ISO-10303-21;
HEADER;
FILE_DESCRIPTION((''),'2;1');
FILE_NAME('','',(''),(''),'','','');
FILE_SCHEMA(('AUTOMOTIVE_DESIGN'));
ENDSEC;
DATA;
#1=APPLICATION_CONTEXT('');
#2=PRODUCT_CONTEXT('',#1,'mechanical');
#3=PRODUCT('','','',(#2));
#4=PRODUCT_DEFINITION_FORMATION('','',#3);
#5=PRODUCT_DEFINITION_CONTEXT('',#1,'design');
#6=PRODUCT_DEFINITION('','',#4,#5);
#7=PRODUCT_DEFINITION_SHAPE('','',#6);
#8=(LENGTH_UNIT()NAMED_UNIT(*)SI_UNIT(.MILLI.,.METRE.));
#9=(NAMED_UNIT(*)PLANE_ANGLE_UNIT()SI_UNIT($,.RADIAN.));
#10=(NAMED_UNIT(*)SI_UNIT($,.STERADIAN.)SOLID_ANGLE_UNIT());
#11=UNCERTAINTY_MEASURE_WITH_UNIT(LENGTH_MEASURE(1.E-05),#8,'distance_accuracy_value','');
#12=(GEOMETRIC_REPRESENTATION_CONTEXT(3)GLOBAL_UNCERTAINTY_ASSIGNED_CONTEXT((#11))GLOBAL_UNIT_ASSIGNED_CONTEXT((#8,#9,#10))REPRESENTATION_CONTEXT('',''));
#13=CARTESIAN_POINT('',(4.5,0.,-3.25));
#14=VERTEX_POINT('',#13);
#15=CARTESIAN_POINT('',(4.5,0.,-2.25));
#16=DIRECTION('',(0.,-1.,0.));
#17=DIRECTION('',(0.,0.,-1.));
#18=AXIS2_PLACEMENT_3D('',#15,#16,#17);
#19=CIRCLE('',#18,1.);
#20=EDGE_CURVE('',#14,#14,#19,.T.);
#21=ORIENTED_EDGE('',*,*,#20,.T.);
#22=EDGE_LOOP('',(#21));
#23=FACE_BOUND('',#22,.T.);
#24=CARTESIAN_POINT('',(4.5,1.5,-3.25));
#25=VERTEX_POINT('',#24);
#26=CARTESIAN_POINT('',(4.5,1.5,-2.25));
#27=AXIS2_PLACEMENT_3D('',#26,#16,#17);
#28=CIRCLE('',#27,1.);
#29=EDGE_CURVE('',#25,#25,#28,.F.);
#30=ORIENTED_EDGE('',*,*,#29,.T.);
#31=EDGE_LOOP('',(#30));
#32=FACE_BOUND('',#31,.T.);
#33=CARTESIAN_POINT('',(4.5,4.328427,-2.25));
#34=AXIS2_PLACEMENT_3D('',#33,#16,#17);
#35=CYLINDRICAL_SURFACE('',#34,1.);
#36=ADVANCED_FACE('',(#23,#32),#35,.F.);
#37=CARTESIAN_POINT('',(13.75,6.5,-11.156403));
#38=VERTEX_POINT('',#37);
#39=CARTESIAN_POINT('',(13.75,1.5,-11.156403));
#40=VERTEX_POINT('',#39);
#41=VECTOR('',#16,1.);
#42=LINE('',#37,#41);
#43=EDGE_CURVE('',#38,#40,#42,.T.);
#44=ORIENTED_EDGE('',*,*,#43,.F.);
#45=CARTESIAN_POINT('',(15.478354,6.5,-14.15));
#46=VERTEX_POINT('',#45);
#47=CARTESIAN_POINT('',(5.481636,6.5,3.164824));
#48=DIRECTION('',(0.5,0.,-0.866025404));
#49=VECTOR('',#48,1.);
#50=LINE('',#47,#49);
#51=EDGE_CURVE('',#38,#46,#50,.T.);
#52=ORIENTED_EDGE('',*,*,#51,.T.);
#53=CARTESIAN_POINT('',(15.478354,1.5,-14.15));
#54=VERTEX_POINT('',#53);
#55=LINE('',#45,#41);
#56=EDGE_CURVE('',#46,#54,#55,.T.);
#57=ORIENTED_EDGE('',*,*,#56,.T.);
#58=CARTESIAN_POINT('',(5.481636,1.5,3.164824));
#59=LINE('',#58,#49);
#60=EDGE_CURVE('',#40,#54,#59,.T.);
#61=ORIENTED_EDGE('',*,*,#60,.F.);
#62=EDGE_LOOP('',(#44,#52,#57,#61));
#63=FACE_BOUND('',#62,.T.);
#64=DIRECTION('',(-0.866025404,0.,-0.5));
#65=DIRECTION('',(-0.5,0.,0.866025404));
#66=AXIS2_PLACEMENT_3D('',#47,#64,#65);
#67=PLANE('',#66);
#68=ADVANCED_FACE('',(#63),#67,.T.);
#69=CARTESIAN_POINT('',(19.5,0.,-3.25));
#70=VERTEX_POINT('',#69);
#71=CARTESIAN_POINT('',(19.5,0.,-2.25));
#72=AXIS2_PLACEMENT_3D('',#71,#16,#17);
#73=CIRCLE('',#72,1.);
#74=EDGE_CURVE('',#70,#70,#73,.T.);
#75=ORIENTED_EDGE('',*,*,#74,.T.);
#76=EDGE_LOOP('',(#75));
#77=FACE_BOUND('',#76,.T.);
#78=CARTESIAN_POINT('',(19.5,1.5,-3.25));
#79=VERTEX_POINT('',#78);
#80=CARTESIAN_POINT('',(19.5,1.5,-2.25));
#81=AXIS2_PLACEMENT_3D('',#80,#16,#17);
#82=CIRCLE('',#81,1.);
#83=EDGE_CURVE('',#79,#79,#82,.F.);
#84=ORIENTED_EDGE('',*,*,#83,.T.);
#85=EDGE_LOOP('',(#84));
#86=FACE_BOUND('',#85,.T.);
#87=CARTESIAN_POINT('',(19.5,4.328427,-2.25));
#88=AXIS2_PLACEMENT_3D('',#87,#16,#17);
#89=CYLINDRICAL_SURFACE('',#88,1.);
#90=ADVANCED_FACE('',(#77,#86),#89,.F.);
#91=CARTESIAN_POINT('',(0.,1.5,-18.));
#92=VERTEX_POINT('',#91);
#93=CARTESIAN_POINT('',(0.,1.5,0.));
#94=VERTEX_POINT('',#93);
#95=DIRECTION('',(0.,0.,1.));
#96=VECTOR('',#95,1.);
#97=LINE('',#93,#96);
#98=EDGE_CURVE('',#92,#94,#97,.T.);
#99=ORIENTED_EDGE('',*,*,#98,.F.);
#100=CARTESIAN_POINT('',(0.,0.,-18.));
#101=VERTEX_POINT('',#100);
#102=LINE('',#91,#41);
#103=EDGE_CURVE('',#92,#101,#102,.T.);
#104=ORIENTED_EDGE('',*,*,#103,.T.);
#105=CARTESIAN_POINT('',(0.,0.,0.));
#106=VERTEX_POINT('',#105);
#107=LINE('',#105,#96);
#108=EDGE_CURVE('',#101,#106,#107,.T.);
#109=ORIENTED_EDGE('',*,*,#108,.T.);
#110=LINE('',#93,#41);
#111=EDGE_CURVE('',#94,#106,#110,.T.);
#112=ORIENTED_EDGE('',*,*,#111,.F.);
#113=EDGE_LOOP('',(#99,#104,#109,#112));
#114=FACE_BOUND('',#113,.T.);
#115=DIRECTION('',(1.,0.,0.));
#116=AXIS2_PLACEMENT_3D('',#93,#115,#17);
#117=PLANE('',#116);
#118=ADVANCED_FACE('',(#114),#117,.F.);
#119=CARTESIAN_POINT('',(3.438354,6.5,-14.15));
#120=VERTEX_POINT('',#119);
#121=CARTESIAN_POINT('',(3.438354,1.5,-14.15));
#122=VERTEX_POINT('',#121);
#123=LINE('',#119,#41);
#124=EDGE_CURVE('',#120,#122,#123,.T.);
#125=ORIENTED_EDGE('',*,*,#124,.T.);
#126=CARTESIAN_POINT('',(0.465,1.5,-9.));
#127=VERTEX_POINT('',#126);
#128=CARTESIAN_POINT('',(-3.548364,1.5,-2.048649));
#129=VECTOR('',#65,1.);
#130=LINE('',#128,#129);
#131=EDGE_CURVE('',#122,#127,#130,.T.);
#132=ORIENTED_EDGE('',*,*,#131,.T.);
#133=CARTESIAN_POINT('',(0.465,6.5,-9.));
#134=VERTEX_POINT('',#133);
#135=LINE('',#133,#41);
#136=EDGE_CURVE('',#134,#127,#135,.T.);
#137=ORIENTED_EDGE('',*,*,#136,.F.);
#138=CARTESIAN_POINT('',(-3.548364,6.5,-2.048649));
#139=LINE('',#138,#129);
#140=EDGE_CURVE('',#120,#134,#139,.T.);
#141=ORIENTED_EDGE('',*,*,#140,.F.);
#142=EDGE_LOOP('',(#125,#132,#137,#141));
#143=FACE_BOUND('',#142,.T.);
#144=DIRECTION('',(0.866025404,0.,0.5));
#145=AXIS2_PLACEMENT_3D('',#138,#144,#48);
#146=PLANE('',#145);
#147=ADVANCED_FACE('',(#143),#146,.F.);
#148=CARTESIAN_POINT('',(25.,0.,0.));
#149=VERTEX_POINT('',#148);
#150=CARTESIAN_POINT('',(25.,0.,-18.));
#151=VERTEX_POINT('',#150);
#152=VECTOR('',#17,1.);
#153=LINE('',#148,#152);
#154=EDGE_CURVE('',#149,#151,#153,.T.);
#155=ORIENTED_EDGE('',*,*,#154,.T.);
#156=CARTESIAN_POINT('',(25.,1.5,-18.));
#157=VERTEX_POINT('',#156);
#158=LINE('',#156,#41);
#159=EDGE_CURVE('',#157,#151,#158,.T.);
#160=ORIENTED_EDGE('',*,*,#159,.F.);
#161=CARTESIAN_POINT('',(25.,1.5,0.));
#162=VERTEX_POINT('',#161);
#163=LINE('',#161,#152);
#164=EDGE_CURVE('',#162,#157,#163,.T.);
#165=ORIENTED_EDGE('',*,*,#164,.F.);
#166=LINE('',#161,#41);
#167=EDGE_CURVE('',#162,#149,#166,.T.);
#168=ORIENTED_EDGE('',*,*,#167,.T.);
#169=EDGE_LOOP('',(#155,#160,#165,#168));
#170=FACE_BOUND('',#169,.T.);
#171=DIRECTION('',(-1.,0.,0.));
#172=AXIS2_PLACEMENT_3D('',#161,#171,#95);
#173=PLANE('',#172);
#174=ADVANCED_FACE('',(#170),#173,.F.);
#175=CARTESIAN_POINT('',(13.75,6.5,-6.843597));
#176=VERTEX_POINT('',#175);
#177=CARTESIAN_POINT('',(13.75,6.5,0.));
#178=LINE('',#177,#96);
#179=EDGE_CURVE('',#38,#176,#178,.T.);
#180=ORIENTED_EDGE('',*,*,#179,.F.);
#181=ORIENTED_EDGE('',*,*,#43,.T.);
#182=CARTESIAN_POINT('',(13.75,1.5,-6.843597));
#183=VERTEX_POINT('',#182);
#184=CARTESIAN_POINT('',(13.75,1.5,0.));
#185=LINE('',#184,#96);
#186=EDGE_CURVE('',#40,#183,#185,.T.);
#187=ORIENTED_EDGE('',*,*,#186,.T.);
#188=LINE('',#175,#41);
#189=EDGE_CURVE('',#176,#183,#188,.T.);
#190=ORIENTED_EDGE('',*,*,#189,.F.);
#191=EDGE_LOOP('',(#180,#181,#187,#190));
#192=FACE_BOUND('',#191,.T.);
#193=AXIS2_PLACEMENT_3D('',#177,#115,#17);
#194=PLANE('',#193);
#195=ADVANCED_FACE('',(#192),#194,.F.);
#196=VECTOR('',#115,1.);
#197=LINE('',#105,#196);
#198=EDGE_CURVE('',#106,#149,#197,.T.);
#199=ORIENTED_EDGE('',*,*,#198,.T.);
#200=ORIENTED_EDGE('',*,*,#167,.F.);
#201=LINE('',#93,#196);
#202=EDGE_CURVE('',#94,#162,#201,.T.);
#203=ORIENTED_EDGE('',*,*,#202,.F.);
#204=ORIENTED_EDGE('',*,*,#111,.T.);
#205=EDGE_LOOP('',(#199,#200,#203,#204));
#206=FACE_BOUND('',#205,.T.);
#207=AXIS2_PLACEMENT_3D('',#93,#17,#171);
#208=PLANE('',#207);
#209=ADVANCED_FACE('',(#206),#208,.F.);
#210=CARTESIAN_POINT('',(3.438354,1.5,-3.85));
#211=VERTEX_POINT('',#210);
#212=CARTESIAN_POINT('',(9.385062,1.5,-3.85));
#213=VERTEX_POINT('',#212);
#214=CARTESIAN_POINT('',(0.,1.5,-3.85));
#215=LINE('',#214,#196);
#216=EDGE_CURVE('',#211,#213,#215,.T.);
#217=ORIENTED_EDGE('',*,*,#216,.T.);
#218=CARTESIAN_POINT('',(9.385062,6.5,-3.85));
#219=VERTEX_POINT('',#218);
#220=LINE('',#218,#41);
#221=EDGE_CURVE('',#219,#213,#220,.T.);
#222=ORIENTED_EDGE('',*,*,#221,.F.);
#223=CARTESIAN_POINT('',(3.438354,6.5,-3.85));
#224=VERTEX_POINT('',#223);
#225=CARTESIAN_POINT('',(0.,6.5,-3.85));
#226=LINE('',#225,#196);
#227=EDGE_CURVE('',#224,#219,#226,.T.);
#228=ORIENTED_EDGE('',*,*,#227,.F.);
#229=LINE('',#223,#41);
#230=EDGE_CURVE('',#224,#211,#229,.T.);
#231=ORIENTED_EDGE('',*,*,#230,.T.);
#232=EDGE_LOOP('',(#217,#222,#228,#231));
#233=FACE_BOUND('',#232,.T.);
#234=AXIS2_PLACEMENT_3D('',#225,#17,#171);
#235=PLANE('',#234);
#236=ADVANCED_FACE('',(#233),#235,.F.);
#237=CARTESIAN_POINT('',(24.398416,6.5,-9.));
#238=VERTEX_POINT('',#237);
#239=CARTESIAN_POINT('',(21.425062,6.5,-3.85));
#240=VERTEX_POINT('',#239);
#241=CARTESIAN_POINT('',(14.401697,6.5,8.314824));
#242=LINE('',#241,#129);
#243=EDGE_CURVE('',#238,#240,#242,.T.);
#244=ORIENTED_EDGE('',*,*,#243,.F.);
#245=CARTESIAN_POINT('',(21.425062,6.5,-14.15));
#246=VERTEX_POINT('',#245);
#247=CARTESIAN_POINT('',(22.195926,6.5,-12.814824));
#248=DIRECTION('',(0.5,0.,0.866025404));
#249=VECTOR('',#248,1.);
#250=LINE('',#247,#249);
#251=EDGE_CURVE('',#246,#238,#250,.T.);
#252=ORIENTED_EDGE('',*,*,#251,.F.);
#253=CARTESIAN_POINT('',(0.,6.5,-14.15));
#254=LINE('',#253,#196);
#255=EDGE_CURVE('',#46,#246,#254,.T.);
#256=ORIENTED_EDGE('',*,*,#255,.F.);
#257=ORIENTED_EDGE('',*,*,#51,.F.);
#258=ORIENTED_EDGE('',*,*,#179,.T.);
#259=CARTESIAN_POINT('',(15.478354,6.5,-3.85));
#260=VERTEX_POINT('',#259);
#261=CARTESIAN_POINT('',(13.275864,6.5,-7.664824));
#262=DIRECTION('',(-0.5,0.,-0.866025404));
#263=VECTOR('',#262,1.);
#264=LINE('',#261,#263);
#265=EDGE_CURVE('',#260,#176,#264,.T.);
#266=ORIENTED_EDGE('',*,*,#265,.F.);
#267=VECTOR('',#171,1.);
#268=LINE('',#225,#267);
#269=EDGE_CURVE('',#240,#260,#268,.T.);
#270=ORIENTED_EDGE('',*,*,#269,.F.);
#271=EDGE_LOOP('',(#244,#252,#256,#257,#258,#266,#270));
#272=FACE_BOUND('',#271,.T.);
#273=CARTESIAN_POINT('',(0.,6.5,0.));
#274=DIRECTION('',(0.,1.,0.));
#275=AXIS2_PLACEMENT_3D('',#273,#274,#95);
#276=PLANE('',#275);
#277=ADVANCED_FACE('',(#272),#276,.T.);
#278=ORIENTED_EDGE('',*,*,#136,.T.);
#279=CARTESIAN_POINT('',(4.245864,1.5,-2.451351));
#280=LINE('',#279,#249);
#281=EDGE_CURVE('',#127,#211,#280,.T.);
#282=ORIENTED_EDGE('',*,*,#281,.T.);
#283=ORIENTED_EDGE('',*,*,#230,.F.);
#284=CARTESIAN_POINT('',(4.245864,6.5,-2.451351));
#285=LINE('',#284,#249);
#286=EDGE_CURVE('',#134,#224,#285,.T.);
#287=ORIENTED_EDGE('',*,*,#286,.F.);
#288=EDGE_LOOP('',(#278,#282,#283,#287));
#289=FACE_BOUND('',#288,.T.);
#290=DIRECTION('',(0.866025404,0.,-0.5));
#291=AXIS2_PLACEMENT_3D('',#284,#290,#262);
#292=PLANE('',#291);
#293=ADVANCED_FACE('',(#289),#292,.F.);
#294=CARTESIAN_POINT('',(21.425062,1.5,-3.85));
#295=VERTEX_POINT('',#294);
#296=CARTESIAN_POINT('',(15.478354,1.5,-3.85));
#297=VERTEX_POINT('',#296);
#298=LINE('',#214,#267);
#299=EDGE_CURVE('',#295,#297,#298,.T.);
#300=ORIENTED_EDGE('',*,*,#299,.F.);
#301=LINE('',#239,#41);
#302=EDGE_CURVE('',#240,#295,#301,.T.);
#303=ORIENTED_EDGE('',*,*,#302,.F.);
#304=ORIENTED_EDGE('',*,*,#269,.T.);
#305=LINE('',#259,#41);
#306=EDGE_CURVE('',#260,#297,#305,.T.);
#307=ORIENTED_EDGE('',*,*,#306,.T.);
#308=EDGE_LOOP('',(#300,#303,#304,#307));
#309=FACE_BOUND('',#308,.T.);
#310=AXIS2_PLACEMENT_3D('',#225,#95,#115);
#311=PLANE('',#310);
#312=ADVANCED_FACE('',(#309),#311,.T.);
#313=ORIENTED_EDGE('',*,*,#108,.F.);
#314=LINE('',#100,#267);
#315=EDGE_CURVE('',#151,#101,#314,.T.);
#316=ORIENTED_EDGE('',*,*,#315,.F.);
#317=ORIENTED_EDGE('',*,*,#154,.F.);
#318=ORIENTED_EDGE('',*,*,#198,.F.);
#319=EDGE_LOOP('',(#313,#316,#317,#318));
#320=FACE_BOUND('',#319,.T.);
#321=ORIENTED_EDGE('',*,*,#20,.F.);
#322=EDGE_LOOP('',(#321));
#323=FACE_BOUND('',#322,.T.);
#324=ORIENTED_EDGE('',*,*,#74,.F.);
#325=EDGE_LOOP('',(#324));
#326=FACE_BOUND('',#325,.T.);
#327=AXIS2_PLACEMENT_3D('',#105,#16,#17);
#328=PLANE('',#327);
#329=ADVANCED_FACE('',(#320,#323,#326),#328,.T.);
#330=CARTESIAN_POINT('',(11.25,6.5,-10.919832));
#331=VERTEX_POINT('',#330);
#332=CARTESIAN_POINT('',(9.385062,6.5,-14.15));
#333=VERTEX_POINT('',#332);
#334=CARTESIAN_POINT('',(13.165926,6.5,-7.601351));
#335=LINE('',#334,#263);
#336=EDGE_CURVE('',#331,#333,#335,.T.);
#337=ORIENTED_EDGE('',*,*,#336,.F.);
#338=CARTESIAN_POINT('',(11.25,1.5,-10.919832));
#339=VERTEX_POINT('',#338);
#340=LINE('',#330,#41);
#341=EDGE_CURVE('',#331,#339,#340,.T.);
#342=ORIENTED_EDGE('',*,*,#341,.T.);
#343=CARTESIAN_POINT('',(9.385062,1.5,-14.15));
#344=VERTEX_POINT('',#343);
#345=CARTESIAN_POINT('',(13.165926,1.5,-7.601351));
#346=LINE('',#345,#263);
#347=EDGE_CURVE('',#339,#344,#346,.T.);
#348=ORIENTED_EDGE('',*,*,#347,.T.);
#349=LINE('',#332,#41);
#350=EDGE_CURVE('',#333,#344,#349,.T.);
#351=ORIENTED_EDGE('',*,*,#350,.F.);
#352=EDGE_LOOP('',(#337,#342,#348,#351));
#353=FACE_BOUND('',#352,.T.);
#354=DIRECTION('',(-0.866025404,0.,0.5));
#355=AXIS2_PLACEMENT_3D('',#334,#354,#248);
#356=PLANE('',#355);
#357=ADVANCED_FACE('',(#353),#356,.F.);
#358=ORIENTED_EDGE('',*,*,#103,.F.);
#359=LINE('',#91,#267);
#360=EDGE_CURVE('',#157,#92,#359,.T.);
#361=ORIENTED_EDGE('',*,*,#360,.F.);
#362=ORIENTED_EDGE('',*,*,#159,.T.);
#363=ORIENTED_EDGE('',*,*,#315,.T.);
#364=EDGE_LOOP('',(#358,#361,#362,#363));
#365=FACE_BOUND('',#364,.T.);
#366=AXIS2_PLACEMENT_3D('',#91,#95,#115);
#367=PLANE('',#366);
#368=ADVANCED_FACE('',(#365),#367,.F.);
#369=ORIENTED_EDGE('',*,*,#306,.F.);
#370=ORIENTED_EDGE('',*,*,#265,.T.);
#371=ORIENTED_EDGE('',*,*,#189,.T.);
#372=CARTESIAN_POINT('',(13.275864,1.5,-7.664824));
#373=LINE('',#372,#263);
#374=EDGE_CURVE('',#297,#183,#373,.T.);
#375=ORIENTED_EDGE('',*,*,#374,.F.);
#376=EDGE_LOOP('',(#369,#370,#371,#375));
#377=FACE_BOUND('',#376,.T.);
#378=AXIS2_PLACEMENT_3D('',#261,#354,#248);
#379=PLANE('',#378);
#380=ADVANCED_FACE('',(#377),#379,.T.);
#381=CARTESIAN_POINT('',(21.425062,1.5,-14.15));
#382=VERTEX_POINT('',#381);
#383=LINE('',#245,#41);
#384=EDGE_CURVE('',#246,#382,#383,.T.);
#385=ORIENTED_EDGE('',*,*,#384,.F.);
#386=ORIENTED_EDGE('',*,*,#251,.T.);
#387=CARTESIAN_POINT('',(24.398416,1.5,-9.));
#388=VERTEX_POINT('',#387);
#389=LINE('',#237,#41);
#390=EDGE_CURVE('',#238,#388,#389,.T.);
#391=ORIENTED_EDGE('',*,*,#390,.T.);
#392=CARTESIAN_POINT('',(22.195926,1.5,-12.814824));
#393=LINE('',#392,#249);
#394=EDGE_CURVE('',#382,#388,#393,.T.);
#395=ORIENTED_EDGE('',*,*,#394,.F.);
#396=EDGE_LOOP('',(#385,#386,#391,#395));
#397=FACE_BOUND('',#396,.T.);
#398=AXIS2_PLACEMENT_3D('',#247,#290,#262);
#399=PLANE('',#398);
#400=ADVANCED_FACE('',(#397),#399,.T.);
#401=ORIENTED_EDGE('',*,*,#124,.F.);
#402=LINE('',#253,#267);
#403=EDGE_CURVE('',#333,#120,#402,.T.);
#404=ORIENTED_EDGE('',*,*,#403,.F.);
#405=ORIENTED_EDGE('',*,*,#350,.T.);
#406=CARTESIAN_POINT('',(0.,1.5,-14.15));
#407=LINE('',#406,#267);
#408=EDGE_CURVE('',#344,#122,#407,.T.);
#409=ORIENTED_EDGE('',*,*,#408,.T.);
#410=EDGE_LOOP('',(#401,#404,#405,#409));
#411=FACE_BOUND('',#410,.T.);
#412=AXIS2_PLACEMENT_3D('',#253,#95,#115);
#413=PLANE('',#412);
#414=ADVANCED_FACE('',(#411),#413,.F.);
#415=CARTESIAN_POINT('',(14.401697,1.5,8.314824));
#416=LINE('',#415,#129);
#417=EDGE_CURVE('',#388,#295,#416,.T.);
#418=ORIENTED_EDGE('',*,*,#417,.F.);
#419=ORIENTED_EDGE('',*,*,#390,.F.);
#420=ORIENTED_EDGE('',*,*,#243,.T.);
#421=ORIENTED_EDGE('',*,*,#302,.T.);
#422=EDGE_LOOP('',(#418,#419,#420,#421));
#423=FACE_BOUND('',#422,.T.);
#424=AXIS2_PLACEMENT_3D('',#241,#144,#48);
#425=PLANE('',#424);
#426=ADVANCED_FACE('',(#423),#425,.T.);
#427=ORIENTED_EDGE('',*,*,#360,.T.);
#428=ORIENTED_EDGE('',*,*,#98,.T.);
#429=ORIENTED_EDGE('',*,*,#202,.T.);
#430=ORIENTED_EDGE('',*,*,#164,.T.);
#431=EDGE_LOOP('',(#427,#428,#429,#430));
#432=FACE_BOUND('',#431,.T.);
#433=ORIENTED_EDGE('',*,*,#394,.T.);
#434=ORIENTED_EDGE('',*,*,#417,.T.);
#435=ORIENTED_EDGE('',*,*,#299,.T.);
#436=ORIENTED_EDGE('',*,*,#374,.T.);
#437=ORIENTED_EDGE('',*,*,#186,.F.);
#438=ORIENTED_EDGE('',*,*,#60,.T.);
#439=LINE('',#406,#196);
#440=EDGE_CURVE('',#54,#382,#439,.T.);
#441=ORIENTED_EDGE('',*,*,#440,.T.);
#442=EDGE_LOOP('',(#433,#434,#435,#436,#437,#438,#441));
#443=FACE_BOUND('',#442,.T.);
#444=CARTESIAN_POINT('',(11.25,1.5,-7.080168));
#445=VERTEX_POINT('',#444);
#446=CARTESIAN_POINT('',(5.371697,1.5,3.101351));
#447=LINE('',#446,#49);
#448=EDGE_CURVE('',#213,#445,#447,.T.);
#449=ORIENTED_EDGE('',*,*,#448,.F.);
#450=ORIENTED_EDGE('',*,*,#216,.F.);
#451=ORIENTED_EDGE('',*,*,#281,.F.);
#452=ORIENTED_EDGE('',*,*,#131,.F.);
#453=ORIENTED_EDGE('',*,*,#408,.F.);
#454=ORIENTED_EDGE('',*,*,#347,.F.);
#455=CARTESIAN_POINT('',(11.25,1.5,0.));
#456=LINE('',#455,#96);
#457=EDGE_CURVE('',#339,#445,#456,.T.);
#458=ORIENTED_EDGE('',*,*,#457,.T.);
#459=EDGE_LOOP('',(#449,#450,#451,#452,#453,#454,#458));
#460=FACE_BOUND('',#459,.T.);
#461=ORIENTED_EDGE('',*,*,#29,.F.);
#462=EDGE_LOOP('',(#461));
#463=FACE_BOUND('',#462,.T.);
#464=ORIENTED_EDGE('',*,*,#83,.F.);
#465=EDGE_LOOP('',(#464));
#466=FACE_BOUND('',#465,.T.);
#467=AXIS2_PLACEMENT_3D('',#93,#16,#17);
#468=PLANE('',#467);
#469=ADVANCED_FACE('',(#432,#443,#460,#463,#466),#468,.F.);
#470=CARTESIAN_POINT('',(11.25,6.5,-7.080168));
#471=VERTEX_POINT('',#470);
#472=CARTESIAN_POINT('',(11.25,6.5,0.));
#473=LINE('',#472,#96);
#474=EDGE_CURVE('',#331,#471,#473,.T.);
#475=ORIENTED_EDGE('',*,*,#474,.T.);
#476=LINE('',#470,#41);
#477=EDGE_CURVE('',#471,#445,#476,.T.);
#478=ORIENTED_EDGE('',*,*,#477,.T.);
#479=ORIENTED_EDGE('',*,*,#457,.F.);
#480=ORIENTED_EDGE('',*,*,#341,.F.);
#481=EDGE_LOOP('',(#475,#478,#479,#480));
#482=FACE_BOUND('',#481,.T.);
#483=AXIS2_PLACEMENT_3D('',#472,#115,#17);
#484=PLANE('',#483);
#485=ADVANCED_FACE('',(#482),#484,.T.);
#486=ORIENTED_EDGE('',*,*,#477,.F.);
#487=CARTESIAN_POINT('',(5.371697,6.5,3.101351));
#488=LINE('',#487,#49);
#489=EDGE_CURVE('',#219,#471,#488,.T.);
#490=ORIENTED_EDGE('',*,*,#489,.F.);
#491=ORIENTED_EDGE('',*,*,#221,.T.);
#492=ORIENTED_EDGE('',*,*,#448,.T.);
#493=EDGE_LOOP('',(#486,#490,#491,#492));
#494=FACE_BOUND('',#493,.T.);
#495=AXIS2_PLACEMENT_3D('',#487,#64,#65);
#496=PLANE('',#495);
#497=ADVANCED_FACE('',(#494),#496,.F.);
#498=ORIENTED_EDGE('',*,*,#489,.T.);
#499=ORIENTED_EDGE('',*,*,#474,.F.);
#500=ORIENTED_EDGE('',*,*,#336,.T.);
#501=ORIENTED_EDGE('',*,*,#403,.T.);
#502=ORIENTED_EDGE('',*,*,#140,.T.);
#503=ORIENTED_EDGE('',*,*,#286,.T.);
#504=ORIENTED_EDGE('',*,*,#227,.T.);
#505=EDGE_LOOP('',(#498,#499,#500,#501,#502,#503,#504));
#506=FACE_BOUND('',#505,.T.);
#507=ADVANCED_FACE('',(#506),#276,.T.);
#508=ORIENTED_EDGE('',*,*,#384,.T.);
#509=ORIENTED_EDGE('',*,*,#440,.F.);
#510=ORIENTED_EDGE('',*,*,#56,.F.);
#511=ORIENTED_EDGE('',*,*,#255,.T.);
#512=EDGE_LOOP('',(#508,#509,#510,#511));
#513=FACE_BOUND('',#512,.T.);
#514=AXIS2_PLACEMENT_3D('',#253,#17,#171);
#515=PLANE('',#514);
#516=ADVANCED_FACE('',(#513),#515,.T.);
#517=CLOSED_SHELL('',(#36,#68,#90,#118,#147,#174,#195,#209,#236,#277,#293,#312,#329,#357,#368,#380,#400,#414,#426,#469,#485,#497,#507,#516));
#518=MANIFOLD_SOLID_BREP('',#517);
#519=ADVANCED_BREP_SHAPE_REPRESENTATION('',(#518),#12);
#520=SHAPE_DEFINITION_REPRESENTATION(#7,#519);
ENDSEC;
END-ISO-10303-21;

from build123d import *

# Parameters (mm, degrees)
SKETCH2_W           = 25
SKETCH2_H           = 18
BOSS_EXTRUDE1_DEPTH = 1.5
BOSS_EXTRUDE2_DEPTH = 5
SKETCH5_R           = 1
CUT_EXTRUDE1_DEPTH  = 1.5


with BuildPart() as part:
    # Sketch2 → Boss-Extrude1 (new body)
    with BuildSketch(Plane(origin=(0, 0, 0), x_dir=(1, 0, 0), z_dir=(0, 1, 0))):
        with Locations((12.5, 9)):
            Rectangle(SKETCH2_W, SKETCH2_H)
    extrude(amount=BOSS_EXTRUDE1_DEPTH)

    # Sketch3 → Boss-Extrude2 (add)
    with BuildSketch(Plane(origin=(0, 1.5, 0), x_dir=(1, 0, 0), z_dir=(0, 1, 0))):
        Polygon((3.438353886, 3.85), (9.385061659, 3.85), (11.25, 7.08016796), (11.25, 10.91983204), (9.385061659, 14.15), (3.438353886, 14.15), (0.465, 9), align=None)
        Polygon((13.75, 11.156403255), (13.75, 6.843596745), (15.478353886, 3.85), (21.425061659, 3.85), (24.398415545, 9), (21.425061659, 14.15), (15.478353886, 14.15), align=None)
    extrude(amount=BOSS_EXTRUDE2_DEPTH)

    # Sketch5 → Cut-Extrude1 (cut)
    with BuildSketch(Plane.XZ):
        with Locations((4.5, -2.25)):
            Circle(SKETCH5_R)
        with Locations((19.5, -2.25)):
            Circle(SKETCH5_R)
    extrude(amount=-CUT_EXTRUDE1_DEPTH, mode=Mode.SUBTRACT)


solid = part.part
